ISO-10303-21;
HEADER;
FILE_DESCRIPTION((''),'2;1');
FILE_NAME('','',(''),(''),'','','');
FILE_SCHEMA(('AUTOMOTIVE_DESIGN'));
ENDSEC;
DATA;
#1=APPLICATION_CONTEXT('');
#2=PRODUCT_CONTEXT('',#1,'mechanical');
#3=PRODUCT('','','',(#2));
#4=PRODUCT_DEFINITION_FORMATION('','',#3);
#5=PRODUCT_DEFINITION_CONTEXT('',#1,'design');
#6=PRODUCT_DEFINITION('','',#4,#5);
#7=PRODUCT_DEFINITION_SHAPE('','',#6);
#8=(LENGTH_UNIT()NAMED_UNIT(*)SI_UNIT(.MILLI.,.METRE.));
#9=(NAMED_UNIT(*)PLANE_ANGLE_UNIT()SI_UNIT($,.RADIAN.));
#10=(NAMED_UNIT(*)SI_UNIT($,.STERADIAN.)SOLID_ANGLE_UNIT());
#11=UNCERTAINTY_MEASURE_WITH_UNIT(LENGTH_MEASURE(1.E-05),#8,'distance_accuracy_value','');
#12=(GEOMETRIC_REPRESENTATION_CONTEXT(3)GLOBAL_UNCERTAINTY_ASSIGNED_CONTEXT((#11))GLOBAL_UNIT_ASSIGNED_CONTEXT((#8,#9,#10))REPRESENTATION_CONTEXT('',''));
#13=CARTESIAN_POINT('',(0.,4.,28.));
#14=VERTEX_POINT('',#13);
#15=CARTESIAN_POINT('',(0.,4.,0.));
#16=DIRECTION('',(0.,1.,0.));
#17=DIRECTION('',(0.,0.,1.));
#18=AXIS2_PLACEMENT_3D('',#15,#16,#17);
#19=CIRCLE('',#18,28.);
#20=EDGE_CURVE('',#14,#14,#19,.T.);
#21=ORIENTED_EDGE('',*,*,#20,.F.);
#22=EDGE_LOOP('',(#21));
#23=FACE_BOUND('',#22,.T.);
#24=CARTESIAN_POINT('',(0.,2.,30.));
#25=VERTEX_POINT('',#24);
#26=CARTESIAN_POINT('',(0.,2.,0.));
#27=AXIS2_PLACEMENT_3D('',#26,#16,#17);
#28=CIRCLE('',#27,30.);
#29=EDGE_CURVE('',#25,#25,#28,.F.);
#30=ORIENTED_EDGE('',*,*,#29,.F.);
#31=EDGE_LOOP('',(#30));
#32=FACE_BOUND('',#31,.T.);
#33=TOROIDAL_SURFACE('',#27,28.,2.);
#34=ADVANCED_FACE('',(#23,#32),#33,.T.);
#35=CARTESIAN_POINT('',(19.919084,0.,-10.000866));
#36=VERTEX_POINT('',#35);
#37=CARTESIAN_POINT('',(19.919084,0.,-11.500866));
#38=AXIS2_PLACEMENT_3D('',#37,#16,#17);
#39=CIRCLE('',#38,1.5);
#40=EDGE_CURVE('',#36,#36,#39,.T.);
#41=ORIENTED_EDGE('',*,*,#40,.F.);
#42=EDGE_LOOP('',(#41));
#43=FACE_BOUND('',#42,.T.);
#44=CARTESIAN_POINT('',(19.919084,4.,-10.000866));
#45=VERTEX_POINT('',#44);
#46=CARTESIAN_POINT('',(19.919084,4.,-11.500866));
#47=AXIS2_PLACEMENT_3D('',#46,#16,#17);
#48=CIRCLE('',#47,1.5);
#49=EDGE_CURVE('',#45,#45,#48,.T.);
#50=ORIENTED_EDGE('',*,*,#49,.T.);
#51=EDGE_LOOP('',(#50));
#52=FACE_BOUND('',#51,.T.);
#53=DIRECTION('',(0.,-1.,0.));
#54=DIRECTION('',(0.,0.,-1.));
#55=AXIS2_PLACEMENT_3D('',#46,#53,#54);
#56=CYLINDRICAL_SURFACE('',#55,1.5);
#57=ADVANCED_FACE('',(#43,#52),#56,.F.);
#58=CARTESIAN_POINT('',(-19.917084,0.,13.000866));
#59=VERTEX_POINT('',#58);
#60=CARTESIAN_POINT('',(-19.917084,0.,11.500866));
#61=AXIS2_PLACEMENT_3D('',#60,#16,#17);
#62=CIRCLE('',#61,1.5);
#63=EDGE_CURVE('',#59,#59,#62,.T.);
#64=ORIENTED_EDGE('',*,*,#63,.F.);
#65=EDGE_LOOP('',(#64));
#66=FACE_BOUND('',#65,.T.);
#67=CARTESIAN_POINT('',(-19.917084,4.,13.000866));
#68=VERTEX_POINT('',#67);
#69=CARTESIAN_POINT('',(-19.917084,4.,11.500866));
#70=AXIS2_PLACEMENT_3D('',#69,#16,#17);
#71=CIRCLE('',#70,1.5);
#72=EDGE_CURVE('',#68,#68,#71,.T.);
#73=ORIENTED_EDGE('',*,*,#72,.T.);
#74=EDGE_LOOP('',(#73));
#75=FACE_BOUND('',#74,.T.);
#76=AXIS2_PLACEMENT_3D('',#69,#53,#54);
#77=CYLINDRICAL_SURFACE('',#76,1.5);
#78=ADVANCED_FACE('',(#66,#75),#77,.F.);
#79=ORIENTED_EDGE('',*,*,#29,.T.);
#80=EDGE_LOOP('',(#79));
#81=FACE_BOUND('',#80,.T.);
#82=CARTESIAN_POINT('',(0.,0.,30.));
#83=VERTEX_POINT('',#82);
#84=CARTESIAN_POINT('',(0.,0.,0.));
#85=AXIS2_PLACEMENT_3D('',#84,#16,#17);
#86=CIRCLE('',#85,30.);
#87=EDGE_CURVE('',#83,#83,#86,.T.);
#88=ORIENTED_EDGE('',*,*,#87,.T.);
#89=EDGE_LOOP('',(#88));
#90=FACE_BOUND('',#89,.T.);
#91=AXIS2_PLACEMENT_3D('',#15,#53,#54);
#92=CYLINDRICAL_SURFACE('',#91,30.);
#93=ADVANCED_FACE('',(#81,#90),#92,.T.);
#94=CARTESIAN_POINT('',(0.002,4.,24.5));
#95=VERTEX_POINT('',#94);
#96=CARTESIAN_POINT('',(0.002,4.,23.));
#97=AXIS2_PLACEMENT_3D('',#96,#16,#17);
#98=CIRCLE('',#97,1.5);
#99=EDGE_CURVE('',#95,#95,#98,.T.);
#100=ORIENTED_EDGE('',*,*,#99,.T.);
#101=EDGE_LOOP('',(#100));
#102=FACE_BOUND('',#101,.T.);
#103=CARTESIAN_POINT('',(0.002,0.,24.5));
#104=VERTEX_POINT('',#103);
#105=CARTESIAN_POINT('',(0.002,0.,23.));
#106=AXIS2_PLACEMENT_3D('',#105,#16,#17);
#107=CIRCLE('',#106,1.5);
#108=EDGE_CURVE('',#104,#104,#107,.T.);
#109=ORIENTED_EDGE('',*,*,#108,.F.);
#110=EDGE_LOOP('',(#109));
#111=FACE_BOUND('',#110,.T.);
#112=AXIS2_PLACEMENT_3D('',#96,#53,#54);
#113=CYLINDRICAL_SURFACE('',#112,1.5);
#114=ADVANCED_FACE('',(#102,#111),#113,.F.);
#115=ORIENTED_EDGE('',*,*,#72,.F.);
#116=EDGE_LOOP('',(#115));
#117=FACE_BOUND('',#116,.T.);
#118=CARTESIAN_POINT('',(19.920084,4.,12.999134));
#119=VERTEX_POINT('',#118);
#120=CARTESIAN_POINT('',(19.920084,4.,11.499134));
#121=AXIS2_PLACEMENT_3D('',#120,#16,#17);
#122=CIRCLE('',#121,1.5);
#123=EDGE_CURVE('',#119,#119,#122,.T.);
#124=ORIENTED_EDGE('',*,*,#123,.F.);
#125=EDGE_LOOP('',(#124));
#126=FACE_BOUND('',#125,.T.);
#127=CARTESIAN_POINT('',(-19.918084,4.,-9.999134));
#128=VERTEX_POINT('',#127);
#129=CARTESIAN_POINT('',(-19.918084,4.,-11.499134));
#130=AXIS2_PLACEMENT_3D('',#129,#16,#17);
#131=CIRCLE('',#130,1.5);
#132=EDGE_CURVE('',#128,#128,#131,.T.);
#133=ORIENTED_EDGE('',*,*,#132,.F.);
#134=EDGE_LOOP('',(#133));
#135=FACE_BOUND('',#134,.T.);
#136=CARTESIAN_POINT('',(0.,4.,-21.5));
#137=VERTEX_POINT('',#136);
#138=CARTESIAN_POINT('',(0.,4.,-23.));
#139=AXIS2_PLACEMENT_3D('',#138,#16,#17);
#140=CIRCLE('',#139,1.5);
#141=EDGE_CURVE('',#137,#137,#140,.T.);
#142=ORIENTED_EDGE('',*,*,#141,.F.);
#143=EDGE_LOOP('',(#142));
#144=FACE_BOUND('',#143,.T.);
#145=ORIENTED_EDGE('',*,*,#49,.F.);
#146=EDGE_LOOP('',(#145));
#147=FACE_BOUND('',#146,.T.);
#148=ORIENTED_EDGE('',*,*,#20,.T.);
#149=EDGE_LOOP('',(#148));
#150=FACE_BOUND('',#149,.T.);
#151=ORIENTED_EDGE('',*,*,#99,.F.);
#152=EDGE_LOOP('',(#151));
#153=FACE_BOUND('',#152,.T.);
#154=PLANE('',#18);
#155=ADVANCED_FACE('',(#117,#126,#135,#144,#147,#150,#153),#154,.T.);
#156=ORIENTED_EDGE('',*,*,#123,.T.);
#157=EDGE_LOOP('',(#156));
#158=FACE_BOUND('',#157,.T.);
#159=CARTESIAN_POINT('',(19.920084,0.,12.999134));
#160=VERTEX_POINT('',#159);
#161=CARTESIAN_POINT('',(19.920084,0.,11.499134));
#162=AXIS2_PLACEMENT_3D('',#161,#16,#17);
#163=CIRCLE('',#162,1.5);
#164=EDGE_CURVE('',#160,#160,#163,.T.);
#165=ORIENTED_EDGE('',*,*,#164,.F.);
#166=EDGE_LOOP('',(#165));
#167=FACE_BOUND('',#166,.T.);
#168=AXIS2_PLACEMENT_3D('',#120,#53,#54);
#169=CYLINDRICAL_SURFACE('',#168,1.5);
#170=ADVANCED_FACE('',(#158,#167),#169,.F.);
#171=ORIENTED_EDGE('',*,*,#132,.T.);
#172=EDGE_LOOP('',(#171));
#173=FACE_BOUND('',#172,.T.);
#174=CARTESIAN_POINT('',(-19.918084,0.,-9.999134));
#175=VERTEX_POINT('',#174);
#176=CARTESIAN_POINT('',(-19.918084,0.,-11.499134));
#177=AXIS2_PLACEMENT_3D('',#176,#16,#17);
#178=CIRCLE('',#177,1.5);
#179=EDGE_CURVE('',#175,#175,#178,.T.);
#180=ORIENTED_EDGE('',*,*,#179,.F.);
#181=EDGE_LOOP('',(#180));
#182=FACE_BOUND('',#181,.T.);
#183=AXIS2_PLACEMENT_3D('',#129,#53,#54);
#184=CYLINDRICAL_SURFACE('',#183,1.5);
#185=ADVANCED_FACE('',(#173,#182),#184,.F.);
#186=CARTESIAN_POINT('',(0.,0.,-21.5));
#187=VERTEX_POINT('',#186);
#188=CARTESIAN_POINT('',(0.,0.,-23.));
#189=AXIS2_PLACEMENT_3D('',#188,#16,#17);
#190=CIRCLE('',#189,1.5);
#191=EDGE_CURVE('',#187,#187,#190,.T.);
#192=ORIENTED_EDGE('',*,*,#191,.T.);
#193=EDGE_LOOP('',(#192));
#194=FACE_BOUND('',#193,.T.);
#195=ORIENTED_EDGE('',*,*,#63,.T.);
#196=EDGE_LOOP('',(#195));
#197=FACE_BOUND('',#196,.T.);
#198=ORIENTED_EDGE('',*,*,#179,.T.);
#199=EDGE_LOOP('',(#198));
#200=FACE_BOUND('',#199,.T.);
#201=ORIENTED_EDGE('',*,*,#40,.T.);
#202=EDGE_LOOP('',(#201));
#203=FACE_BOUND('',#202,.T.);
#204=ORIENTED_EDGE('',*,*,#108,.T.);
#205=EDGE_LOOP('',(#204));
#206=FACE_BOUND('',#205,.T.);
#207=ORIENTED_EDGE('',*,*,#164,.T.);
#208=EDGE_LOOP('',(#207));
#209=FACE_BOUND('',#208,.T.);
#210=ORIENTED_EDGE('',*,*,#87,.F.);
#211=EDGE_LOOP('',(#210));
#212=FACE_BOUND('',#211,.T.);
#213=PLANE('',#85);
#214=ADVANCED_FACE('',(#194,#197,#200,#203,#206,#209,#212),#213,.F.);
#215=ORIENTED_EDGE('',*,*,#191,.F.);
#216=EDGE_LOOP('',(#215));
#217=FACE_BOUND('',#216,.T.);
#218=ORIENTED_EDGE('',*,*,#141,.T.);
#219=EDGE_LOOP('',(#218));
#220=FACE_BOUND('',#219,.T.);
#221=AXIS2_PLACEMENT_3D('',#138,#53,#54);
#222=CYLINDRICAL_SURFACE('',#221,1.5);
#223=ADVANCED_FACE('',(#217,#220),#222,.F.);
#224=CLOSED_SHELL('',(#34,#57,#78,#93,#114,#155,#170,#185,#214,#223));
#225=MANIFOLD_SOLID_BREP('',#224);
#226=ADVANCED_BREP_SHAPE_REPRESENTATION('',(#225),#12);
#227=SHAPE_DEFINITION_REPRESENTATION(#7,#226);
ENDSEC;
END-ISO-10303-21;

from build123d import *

# Parameters (mm, degrees)
SKETCH1_R           = 30
SKETCH1_R_2         = 1.5
BOSS_EXTRUDE1_DEPTH = 4
FILLET1_R           = 2


with BuildPart() as part:
    # Sketch1 → Boss-Extrude1 (new body)
    with BuildSketch(Plane(origin=(0, 0, 0), x_dir=(1, 0, 0), z_dir=(0, 1, 0))):
        with Locations(Location((0, 0, 0), (0, 0, 270))):
            Circle(SKETCH1_R)
        with Locations(Location((0, 23, 0), (0, 0, 270))):
            Circle(SKETCH1_R_2, mode=Mode.SUBTRACT)
        with Locations(Location((19.919084287, 11.500866025, 0), (0, 0, 270))):
            Circle(SKETCH1_R_2, mode=Mode.SUBTRACT)
        with Locations(Location((19.920084287, -11.499133975, 0), (0, 0, 270))):
            Circle(SKETCH1_R_2, mode=Mode.SUBTRACT)
        with Locations(Location((0.002, -23, 0), (0, 0, 270))):
            Circle(SKETCH1_R_2, mode=Mode.SUBTRACT)
        with Locations(Location((-19.917084287, -11.500866025, 0), (0, 0, 270))):
            Circle(SKETCH1_R_2, mode=Mode.SUBTRACT)
        with Locations(Location((-19.918084287, 11.499133975, 0), (0, 0, 270))):
            Circle(SKETCH1_R_2, mode=Mode.SUBTRACT)
    extrude(amount=BOSS_EXTRUDE1_DEPTH)

    # Fillet1
    fillet1_edges = [part.edges().sort_by_distance(p)[0] for p in [
        (0, 4, -30),
    ]]
    fillet(fillet1_edges, radius=FILLET1_R)


solid = part.part
